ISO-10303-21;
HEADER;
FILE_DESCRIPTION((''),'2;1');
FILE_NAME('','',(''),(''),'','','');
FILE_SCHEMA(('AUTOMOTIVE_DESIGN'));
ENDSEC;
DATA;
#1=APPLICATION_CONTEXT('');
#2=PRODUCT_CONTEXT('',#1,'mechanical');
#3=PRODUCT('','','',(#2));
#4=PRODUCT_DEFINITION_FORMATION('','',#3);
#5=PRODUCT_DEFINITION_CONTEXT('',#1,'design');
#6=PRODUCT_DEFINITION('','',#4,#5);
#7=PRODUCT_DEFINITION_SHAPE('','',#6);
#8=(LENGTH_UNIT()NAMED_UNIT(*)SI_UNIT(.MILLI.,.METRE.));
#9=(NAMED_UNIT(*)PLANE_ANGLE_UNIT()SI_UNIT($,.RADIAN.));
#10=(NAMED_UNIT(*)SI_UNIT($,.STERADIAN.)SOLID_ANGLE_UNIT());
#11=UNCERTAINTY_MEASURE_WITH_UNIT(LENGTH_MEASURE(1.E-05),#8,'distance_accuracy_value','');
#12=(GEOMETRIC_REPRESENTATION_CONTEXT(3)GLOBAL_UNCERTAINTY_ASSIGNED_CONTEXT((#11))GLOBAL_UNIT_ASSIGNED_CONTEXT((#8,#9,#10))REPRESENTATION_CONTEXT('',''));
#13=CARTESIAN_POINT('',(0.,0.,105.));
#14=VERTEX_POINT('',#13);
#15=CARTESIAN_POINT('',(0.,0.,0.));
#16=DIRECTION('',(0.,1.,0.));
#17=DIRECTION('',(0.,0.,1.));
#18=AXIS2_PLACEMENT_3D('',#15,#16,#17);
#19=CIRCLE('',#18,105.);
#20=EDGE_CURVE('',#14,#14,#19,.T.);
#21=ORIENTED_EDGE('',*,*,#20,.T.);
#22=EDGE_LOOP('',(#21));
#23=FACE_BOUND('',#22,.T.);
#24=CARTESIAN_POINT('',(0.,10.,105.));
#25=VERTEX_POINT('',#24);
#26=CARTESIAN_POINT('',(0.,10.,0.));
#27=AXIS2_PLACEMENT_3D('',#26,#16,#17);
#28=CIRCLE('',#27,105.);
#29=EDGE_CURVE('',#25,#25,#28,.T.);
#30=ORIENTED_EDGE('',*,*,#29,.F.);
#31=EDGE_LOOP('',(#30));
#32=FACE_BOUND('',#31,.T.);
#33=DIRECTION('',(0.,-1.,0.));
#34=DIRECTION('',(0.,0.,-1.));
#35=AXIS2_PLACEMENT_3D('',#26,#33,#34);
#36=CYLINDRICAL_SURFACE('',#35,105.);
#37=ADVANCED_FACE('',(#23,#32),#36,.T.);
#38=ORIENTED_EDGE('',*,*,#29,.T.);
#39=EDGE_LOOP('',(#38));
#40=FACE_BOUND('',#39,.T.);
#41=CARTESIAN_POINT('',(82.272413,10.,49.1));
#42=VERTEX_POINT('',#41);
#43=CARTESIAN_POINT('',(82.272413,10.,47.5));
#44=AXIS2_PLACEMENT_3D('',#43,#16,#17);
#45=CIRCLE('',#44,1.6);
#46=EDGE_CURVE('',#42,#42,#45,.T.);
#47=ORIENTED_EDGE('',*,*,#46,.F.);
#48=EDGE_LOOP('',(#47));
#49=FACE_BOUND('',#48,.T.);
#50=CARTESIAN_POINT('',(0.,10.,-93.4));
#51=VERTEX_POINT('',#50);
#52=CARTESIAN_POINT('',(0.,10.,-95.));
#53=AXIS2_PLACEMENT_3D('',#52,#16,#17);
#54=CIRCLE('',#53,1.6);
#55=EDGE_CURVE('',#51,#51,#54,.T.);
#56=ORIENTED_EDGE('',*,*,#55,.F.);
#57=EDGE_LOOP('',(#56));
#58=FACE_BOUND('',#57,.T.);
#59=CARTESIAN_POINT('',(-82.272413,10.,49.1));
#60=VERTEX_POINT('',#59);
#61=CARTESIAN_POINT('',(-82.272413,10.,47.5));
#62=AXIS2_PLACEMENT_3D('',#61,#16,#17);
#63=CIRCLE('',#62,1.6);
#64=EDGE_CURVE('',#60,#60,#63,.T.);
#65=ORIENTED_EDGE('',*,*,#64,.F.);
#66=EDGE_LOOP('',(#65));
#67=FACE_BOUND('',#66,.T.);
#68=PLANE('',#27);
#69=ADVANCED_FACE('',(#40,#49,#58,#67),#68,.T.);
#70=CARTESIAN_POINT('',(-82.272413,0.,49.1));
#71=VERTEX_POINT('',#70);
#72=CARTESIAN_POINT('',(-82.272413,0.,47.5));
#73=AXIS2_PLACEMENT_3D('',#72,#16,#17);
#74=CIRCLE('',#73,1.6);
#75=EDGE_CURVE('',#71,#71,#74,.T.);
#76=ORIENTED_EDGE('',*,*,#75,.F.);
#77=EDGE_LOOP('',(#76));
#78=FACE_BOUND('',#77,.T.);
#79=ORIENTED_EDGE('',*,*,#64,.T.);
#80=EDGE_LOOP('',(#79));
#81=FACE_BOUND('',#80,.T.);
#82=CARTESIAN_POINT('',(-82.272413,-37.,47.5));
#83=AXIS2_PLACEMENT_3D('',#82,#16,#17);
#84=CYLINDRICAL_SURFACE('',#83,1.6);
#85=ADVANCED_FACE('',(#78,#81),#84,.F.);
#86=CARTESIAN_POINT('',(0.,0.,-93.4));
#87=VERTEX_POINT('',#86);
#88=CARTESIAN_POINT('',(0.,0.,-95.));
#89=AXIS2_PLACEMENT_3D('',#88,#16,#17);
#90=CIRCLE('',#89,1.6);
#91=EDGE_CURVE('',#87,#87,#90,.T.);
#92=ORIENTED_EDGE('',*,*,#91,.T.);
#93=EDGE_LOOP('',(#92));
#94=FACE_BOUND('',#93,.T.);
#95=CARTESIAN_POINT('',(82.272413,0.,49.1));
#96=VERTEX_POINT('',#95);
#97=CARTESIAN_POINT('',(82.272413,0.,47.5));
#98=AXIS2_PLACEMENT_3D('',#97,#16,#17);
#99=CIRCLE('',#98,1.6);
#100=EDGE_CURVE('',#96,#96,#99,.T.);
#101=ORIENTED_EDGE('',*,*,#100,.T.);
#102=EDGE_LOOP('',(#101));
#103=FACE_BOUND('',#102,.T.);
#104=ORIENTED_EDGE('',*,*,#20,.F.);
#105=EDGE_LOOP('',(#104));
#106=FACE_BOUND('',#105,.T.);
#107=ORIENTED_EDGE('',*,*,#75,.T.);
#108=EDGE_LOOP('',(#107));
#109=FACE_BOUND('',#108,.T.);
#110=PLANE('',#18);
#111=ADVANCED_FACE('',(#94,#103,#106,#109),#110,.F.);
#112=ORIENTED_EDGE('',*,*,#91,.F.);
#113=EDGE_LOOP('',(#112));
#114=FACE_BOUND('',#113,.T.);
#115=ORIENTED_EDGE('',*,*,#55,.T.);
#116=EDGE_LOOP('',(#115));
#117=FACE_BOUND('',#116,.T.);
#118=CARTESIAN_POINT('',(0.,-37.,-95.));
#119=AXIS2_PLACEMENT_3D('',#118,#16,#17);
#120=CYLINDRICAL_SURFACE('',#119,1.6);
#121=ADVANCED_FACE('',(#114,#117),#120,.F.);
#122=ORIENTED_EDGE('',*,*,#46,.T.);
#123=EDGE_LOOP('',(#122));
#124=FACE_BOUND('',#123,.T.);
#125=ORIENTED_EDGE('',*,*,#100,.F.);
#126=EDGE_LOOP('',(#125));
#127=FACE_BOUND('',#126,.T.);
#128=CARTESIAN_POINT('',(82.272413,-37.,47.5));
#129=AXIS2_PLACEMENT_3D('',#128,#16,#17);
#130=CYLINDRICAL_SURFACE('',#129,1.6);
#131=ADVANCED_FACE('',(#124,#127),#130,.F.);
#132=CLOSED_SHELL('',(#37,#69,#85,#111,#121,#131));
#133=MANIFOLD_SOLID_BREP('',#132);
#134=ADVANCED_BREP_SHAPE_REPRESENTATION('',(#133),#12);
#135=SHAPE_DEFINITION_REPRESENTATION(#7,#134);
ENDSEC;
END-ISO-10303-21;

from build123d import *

# Parameters (mm, degrees)
SKETCH1_R           = 105
BOSS_EXTRUDE1_DEPTH = 10
SKETCH3_R           = 1.6
CUT_EXTRUDE1_DEPTH  = 47


with BuildPart() as part:
    # Sketch1 → Boss-Extrude1 (new body)
    with BuildSketch(Plane(origin=(0, 0, 0), x_dir=(1, 0, 0), z_dir=(0, 1, 0))):
        Circle(SKETCH1_R)
    extrude(amount=BOSS_EXTRUDE1_DEPTH)

    # Sketch3 → Cut-Extrude1 (cut)
    with BuildSketch(Plane(origin=(0, 10, 0), x_dir=(1, 0, 0), z_dir=(0, 1, 0))):
        with Locations((-82.27241336, -47.5)):
            Circle(SKETCH3_R)
        with Locations((0, 95)):
            Circle(SKETCH3_R)
        with Locations((82.27241336, -47.5)):
            Circle(SKETCH3_R)
    extrude(amount=-CUT_EXTRUDE1_DEPTH, mode=Mode.SUBTRACT)


solid = part.part
